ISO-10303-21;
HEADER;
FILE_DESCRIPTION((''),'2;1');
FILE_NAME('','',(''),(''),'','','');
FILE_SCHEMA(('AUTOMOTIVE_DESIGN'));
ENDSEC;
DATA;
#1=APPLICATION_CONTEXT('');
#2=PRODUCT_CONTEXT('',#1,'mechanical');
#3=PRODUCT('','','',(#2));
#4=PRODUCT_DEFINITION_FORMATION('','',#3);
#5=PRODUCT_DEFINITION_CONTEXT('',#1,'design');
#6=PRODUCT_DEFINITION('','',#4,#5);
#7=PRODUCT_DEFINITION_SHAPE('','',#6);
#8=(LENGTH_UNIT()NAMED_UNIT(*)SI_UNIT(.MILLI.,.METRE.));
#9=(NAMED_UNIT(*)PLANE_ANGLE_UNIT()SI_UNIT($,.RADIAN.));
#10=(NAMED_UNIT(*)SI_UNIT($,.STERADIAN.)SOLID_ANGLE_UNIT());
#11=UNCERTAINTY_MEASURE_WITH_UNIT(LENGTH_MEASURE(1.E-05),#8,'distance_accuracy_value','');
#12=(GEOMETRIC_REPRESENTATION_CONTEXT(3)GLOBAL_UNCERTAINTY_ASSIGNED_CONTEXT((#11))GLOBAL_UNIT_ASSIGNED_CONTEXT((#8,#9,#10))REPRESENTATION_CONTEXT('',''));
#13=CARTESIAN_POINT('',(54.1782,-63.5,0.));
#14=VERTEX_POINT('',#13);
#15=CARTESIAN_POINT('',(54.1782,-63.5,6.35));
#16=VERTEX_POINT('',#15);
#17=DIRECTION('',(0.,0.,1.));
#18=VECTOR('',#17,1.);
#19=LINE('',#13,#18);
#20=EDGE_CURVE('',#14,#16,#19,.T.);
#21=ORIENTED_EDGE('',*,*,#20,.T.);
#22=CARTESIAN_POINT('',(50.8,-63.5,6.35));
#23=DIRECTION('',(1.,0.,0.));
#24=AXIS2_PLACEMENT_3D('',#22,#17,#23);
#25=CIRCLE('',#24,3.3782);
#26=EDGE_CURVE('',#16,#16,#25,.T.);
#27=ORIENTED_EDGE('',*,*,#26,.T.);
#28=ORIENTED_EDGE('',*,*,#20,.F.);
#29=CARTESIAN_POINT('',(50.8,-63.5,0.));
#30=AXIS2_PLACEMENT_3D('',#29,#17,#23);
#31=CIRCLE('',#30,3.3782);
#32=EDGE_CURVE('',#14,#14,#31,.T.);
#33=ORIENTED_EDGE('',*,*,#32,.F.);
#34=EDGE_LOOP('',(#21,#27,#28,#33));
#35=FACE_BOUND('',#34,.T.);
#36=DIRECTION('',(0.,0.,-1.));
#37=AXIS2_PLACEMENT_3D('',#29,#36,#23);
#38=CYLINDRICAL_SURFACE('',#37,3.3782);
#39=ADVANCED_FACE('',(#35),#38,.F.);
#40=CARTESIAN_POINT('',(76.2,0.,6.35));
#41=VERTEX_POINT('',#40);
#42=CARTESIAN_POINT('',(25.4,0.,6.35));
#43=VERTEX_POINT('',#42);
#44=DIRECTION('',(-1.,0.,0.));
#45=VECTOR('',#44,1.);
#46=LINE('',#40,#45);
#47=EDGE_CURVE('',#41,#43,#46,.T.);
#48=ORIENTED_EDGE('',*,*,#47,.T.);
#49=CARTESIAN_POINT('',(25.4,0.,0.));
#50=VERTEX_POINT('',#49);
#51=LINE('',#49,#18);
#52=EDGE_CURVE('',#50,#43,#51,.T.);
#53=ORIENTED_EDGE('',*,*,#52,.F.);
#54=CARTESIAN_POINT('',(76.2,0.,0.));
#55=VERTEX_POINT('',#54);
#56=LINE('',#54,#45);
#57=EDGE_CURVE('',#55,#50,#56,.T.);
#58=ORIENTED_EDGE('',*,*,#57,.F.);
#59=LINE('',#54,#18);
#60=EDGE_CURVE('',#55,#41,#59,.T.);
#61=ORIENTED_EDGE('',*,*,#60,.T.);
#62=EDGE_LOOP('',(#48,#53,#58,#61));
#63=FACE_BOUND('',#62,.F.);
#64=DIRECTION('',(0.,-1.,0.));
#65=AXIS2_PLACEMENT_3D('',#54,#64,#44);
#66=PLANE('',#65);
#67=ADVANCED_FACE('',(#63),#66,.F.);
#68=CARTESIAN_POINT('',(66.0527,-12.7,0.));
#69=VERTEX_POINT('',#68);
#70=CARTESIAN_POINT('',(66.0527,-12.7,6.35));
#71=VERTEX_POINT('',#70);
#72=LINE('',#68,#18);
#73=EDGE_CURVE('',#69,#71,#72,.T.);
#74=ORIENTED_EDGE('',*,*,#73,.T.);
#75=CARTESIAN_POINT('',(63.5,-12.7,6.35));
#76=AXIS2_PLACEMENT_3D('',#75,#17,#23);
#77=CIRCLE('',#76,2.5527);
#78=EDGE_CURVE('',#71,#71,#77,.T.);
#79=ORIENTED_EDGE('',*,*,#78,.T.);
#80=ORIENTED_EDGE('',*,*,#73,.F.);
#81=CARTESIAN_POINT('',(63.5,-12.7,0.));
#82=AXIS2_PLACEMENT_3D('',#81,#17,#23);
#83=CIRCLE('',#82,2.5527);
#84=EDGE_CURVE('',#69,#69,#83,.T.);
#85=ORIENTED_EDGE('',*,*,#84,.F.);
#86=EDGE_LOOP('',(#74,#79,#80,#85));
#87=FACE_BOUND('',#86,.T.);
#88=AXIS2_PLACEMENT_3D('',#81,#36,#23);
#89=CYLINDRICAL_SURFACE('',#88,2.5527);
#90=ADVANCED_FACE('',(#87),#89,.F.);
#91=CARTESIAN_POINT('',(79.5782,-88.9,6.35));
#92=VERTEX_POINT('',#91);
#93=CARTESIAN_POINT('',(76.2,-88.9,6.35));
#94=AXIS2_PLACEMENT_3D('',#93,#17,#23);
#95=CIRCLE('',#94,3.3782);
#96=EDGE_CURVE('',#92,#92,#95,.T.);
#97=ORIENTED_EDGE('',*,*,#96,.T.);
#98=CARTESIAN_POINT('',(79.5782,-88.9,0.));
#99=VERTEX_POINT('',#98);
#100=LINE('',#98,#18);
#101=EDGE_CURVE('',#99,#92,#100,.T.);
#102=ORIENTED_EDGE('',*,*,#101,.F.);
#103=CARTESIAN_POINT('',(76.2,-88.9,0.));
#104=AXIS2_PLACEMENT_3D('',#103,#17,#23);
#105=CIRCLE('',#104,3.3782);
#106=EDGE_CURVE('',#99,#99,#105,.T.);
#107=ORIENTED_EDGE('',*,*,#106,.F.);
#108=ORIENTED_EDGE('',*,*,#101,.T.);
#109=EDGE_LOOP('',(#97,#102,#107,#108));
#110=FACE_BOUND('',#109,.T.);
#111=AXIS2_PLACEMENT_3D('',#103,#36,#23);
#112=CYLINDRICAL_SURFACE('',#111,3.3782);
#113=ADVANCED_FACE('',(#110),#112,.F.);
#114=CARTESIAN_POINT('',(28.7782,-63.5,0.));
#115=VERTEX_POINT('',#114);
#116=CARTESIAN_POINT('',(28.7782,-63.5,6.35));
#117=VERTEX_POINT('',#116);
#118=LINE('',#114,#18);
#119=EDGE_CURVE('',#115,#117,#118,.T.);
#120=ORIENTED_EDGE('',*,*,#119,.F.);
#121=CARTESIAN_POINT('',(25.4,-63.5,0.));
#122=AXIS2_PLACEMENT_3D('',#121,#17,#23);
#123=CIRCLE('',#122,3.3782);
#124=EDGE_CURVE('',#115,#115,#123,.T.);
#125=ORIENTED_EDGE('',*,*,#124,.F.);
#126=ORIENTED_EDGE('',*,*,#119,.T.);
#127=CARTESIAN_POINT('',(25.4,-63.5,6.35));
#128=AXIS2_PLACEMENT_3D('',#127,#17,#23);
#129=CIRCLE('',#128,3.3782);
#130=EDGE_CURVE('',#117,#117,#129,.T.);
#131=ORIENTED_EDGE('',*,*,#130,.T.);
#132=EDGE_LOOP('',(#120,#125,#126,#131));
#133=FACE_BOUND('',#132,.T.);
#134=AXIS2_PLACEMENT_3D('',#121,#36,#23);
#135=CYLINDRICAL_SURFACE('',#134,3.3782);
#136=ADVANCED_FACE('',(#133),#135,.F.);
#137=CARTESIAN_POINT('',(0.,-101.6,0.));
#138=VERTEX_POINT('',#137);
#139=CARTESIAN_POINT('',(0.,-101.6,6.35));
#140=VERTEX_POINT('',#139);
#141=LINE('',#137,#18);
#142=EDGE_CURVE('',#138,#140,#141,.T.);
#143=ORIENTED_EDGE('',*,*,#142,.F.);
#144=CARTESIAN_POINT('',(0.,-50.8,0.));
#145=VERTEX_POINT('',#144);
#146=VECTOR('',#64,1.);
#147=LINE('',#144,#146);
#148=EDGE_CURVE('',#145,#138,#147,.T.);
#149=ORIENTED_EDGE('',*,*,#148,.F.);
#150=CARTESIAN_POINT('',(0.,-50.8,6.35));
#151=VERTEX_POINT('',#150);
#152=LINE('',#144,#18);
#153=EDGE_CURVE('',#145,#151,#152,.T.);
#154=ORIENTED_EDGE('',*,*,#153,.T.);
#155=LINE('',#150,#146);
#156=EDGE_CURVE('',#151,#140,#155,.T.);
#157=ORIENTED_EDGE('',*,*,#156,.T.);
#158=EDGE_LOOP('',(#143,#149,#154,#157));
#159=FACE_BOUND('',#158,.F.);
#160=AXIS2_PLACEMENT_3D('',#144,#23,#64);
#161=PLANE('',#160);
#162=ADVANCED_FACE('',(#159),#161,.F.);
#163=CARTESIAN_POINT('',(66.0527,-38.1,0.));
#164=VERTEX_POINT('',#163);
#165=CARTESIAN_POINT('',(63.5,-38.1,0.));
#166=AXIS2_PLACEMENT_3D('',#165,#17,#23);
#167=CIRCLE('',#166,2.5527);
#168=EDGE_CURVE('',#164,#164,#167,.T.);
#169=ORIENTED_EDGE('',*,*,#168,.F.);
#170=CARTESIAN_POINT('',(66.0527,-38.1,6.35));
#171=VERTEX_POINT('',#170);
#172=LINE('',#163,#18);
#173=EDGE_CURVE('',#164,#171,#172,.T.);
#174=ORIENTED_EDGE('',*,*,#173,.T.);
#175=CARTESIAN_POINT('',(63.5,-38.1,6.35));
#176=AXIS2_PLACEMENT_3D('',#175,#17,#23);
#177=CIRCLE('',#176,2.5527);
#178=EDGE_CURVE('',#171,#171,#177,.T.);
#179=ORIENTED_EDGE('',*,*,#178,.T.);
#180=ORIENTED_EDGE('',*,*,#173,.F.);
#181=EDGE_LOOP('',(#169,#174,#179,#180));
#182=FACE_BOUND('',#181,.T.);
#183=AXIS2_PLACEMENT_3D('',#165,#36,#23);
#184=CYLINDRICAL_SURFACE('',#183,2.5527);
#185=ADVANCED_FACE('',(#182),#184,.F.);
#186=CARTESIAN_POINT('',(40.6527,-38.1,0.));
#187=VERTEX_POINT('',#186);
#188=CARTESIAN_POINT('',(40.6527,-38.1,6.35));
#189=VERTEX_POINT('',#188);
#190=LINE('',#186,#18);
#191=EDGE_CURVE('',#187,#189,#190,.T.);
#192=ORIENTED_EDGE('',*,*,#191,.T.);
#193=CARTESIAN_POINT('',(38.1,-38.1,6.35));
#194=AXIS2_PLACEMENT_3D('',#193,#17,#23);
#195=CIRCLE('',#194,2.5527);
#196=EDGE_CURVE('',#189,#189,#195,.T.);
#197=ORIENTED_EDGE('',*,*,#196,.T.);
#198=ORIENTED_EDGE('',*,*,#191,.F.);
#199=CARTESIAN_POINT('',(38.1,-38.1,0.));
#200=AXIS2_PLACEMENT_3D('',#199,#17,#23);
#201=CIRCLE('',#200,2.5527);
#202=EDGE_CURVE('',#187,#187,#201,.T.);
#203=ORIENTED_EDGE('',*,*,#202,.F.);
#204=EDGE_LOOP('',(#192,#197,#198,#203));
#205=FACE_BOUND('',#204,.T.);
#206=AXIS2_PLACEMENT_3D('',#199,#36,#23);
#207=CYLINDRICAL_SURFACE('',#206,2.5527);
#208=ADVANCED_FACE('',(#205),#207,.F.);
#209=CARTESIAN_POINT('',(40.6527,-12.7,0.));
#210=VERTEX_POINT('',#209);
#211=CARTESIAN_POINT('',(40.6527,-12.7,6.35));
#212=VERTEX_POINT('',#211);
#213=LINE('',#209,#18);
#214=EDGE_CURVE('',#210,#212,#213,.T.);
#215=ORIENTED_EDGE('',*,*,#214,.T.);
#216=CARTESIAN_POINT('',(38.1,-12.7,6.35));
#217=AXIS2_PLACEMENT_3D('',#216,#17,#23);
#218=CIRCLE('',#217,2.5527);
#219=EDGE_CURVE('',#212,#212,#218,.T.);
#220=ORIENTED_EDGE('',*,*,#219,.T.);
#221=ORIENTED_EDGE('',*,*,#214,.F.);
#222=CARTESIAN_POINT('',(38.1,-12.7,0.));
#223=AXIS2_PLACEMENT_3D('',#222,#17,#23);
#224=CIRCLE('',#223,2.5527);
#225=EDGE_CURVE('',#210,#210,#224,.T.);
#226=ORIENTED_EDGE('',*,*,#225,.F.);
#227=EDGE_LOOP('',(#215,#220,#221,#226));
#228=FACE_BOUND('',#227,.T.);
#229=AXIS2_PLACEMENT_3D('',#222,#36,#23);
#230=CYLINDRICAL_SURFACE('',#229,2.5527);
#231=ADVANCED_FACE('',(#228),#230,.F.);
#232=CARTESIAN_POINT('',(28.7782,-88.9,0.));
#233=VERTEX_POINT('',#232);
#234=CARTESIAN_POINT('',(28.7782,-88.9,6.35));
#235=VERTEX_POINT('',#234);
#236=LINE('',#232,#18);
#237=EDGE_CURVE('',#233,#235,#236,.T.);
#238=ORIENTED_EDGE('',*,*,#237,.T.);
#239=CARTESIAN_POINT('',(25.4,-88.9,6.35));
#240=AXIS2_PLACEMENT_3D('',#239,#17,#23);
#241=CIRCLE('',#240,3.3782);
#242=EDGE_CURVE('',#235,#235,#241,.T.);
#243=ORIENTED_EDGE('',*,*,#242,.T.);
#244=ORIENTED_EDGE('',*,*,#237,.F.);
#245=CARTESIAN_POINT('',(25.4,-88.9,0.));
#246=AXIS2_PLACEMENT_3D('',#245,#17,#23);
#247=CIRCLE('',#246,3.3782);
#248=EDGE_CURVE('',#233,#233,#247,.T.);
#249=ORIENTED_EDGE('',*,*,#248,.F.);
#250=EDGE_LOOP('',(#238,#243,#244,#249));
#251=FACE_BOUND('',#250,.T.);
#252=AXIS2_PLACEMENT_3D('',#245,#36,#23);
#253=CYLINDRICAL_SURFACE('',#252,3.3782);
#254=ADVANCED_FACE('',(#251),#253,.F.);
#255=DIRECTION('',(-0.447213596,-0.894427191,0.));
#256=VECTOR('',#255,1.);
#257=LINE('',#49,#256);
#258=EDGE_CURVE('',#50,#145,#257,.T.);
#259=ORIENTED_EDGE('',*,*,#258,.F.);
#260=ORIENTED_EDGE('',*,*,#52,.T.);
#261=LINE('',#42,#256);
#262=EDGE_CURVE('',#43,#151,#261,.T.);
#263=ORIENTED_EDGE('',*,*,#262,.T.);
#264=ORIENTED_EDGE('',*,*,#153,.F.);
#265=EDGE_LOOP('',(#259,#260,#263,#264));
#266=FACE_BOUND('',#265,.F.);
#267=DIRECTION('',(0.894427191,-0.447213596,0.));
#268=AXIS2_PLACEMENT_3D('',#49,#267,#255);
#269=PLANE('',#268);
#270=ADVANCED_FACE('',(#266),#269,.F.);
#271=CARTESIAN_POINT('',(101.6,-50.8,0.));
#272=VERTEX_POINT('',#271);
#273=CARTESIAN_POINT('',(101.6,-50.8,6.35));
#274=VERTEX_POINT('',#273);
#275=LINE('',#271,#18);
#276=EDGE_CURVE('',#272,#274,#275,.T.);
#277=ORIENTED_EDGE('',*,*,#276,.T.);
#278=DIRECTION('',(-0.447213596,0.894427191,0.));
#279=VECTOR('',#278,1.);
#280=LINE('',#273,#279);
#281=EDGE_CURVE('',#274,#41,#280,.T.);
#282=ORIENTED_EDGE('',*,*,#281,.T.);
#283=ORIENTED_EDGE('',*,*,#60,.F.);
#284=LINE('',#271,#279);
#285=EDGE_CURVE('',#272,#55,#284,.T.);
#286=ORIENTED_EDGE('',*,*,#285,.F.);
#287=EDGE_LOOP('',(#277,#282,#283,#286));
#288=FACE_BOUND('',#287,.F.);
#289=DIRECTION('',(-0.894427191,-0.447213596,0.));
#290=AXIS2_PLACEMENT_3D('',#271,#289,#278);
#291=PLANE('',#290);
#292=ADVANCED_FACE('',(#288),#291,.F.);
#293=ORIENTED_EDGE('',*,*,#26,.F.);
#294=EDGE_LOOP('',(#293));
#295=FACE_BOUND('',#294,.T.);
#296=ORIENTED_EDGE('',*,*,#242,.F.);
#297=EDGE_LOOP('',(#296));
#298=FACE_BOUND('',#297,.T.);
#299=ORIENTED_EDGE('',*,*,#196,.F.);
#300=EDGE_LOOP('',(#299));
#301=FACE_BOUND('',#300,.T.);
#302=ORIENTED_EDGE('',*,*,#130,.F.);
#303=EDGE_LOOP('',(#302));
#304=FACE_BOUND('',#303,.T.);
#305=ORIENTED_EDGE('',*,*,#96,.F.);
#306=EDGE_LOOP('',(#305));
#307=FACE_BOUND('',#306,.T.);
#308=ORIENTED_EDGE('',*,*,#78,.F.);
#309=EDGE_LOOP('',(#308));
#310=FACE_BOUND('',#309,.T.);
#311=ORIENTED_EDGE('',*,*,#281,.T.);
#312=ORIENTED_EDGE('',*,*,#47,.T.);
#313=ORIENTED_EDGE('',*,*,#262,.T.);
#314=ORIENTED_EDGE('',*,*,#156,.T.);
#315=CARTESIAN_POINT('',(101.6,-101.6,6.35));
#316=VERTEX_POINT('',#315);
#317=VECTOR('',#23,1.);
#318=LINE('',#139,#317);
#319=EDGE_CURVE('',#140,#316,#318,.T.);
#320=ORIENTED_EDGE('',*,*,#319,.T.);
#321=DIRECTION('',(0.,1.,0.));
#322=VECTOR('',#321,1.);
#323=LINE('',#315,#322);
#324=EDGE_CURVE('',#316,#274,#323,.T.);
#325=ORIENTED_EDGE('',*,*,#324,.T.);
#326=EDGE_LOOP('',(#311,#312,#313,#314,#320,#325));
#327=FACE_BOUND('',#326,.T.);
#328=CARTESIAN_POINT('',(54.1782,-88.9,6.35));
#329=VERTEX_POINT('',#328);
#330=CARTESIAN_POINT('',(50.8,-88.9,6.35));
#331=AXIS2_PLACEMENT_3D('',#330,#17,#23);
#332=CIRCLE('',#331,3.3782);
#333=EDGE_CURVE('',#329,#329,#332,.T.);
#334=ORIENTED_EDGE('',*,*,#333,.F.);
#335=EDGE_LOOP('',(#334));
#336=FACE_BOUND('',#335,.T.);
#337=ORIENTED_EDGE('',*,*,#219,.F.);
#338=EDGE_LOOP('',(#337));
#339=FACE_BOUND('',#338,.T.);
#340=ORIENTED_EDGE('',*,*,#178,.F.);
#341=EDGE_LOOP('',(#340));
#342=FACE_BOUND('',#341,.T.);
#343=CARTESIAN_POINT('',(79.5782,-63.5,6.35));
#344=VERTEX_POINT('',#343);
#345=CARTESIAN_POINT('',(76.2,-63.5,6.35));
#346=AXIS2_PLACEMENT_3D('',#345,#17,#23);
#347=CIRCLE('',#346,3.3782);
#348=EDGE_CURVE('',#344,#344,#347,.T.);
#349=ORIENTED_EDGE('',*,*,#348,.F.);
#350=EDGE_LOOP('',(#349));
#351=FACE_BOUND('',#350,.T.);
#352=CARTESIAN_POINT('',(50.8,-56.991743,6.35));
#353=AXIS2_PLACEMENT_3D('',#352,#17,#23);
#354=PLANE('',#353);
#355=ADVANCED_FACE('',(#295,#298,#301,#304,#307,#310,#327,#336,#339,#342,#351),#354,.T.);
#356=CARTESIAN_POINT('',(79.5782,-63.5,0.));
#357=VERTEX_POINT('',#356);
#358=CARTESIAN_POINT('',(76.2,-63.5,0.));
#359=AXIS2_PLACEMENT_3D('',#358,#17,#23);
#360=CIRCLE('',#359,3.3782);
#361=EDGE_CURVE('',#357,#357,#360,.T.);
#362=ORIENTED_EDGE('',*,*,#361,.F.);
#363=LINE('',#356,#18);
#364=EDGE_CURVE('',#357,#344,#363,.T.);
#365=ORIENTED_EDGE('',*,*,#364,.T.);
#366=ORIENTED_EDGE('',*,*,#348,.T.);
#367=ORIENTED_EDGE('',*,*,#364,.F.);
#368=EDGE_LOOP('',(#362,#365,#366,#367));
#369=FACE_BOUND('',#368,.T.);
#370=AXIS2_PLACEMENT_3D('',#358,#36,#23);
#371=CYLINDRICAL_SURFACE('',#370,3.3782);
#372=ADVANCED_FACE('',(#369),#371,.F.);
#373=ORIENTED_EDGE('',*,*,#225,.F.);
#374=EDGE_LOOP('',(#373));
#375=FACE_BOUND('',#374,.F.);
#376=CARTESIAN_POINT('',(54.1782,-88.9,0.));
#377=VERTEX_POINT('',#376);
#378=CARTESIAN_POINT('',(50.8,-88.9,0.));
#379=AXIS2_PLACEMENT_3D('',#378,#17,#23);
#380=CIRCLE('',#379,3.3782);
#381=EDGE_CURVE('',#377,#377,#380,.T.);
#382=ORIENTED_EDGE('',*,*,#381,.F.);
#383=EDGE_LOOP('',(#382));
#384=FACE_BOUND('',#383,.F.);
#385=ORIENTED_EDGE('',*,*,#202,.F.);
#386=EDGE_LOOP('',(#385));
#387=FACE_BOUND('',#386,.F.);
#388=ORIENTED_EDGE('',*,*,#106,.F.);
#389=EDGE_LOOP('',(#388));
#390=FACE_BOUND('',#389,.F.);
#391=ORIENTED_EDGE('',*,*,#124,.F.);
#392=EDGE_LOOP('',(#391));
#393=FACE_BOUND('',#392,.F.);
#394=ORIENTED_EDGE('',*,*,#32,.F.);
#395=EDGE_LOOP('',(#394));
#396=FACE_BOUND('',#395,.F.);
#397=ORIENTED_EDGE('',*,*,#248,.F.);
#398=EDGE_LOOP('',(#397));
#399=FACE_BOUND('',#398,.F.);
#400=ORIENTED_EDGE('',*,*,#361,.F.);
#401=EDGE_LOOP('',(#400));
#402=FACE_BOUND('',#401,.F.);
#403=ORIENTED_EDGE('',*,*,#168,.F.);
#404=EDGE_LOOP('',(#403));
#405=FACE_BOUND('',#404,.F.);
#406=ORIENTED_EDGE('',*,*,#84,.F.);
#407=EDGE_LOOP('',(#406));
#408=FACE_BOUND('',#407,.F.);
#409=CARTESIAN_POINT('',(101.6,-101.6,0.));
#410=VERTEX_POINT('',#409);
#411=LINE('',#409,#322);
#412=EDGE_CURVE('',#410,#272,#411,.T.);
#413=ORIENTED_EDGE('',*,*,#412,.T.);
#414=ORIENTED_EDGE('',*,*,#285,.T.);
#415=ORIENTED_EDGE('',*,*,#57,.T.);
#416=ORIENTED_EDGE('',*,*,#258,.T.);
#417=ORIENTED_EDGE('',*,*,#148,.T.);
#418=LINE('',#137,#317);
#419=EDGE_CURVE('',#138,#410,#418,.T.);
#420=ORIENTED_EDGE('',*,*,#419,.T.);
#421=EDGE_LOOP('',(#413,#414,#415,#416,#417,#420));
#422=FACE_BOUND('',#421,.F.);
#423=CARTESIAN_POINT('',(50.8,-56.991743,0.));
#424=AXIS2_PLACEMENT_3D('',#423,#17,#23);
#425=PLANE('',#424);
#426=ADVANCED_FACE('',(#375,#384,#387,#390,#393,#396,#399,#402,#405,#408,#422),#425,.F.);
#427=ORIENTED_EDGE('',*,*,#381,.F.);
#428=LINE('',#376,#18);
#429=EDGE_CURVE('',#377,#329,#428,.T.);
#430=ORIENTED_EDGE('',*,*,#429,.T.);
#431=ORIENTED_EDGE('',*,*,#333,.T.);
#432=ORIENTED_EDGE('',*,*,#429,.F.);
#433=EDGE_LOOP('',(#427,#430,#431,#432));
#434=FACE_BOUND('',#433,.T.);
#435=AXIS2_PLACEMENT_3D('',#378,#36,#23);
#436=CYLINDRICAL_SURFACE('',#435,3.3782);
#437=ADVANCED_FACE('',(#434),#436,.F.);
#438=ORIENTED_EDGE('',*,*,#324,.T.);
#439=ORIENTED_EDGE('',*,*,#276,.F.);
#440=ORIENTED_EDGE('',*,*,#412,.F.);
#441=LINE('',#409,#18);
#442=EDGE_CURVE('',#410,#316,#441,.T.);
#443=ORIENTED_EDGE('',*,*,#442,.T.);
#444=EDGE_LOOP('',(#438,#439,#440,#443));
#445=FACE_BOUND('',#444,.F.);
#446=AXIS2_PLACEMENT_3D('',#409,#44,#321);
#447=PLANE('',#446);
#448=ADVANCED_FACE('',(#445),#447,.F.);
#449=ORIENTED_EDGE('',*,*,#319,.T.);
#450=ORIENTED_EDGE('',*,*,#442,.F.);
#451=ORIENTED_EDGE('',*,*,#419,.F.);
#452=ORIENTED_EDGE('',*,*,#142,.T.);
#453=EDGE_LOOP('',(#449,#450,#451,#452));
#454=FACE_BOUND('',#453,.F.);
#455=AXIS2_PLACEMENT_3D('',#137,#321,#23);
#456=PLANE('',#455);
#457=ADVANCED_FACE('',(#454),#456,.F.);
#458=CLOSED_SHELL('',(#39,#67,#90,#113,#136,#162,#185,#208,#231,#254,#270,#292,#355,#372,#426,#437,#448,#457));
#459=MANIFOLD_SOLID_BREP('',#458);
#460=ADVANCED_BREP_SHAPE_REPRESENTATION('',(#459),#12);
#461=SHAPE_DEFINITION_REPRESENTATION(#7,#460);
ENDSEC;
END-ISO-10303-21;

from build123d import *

# Parameters (mm, degrees)
F0_R     = 3.3782
F0_R_2   = 2.5527
F1_DEPTH = 6.35


with BuildPart() as f1:
    # F0 (on Top) → F1 (new body)
    with BuildSketch(Plane.XY):
        Polygon((76.2, 0), (25.4, 0), (0, -50.8), (0, -101.6), (101.6, -101.6), (101.6, -50.8), align=None)
        with Locations((25.4, -88.9)):
            Circle(F0_R, mode=Mode.SUBTRACT)
        with Locations((50.8, -88.9)):
            Circle(F0_R, mode=Mode.SUBTRACT)
        with Locations((25.4, -63.5)):
            Circle(F0_R, mode=Mode.SUBTRACT)
        with Locations((50.8, -63.5)):
            Circle(F0_R, mode=Mode.SUBTRACT)
        with Locations((76.2, -88.9)):
            Circle(F0_R, mode=Mode.SUBTRACT)
        with Locations((76.2, -63.5)):
            Circle(F0_R, mode=Mode.SUBTRACT)
        with Locations((38.1, -38.1)):
            Circle(F0_R_2, mode=Mode.SUBTRACT)
        with Locations((38.1, -12.7)):
            Circle(F0_R_2, mode=Mode.SUBTRACT)
        with Locations((63.5, -38.1)):
            Circle(F0_R_2, mode=Mode.SUBTRACT)
        with Locations((63.5, -12.7)):
            Circle(F0_R_2, mode=Mode.SUBTRACT)
    extrude(amount=F1_DEPTH)


solid = f1.part
